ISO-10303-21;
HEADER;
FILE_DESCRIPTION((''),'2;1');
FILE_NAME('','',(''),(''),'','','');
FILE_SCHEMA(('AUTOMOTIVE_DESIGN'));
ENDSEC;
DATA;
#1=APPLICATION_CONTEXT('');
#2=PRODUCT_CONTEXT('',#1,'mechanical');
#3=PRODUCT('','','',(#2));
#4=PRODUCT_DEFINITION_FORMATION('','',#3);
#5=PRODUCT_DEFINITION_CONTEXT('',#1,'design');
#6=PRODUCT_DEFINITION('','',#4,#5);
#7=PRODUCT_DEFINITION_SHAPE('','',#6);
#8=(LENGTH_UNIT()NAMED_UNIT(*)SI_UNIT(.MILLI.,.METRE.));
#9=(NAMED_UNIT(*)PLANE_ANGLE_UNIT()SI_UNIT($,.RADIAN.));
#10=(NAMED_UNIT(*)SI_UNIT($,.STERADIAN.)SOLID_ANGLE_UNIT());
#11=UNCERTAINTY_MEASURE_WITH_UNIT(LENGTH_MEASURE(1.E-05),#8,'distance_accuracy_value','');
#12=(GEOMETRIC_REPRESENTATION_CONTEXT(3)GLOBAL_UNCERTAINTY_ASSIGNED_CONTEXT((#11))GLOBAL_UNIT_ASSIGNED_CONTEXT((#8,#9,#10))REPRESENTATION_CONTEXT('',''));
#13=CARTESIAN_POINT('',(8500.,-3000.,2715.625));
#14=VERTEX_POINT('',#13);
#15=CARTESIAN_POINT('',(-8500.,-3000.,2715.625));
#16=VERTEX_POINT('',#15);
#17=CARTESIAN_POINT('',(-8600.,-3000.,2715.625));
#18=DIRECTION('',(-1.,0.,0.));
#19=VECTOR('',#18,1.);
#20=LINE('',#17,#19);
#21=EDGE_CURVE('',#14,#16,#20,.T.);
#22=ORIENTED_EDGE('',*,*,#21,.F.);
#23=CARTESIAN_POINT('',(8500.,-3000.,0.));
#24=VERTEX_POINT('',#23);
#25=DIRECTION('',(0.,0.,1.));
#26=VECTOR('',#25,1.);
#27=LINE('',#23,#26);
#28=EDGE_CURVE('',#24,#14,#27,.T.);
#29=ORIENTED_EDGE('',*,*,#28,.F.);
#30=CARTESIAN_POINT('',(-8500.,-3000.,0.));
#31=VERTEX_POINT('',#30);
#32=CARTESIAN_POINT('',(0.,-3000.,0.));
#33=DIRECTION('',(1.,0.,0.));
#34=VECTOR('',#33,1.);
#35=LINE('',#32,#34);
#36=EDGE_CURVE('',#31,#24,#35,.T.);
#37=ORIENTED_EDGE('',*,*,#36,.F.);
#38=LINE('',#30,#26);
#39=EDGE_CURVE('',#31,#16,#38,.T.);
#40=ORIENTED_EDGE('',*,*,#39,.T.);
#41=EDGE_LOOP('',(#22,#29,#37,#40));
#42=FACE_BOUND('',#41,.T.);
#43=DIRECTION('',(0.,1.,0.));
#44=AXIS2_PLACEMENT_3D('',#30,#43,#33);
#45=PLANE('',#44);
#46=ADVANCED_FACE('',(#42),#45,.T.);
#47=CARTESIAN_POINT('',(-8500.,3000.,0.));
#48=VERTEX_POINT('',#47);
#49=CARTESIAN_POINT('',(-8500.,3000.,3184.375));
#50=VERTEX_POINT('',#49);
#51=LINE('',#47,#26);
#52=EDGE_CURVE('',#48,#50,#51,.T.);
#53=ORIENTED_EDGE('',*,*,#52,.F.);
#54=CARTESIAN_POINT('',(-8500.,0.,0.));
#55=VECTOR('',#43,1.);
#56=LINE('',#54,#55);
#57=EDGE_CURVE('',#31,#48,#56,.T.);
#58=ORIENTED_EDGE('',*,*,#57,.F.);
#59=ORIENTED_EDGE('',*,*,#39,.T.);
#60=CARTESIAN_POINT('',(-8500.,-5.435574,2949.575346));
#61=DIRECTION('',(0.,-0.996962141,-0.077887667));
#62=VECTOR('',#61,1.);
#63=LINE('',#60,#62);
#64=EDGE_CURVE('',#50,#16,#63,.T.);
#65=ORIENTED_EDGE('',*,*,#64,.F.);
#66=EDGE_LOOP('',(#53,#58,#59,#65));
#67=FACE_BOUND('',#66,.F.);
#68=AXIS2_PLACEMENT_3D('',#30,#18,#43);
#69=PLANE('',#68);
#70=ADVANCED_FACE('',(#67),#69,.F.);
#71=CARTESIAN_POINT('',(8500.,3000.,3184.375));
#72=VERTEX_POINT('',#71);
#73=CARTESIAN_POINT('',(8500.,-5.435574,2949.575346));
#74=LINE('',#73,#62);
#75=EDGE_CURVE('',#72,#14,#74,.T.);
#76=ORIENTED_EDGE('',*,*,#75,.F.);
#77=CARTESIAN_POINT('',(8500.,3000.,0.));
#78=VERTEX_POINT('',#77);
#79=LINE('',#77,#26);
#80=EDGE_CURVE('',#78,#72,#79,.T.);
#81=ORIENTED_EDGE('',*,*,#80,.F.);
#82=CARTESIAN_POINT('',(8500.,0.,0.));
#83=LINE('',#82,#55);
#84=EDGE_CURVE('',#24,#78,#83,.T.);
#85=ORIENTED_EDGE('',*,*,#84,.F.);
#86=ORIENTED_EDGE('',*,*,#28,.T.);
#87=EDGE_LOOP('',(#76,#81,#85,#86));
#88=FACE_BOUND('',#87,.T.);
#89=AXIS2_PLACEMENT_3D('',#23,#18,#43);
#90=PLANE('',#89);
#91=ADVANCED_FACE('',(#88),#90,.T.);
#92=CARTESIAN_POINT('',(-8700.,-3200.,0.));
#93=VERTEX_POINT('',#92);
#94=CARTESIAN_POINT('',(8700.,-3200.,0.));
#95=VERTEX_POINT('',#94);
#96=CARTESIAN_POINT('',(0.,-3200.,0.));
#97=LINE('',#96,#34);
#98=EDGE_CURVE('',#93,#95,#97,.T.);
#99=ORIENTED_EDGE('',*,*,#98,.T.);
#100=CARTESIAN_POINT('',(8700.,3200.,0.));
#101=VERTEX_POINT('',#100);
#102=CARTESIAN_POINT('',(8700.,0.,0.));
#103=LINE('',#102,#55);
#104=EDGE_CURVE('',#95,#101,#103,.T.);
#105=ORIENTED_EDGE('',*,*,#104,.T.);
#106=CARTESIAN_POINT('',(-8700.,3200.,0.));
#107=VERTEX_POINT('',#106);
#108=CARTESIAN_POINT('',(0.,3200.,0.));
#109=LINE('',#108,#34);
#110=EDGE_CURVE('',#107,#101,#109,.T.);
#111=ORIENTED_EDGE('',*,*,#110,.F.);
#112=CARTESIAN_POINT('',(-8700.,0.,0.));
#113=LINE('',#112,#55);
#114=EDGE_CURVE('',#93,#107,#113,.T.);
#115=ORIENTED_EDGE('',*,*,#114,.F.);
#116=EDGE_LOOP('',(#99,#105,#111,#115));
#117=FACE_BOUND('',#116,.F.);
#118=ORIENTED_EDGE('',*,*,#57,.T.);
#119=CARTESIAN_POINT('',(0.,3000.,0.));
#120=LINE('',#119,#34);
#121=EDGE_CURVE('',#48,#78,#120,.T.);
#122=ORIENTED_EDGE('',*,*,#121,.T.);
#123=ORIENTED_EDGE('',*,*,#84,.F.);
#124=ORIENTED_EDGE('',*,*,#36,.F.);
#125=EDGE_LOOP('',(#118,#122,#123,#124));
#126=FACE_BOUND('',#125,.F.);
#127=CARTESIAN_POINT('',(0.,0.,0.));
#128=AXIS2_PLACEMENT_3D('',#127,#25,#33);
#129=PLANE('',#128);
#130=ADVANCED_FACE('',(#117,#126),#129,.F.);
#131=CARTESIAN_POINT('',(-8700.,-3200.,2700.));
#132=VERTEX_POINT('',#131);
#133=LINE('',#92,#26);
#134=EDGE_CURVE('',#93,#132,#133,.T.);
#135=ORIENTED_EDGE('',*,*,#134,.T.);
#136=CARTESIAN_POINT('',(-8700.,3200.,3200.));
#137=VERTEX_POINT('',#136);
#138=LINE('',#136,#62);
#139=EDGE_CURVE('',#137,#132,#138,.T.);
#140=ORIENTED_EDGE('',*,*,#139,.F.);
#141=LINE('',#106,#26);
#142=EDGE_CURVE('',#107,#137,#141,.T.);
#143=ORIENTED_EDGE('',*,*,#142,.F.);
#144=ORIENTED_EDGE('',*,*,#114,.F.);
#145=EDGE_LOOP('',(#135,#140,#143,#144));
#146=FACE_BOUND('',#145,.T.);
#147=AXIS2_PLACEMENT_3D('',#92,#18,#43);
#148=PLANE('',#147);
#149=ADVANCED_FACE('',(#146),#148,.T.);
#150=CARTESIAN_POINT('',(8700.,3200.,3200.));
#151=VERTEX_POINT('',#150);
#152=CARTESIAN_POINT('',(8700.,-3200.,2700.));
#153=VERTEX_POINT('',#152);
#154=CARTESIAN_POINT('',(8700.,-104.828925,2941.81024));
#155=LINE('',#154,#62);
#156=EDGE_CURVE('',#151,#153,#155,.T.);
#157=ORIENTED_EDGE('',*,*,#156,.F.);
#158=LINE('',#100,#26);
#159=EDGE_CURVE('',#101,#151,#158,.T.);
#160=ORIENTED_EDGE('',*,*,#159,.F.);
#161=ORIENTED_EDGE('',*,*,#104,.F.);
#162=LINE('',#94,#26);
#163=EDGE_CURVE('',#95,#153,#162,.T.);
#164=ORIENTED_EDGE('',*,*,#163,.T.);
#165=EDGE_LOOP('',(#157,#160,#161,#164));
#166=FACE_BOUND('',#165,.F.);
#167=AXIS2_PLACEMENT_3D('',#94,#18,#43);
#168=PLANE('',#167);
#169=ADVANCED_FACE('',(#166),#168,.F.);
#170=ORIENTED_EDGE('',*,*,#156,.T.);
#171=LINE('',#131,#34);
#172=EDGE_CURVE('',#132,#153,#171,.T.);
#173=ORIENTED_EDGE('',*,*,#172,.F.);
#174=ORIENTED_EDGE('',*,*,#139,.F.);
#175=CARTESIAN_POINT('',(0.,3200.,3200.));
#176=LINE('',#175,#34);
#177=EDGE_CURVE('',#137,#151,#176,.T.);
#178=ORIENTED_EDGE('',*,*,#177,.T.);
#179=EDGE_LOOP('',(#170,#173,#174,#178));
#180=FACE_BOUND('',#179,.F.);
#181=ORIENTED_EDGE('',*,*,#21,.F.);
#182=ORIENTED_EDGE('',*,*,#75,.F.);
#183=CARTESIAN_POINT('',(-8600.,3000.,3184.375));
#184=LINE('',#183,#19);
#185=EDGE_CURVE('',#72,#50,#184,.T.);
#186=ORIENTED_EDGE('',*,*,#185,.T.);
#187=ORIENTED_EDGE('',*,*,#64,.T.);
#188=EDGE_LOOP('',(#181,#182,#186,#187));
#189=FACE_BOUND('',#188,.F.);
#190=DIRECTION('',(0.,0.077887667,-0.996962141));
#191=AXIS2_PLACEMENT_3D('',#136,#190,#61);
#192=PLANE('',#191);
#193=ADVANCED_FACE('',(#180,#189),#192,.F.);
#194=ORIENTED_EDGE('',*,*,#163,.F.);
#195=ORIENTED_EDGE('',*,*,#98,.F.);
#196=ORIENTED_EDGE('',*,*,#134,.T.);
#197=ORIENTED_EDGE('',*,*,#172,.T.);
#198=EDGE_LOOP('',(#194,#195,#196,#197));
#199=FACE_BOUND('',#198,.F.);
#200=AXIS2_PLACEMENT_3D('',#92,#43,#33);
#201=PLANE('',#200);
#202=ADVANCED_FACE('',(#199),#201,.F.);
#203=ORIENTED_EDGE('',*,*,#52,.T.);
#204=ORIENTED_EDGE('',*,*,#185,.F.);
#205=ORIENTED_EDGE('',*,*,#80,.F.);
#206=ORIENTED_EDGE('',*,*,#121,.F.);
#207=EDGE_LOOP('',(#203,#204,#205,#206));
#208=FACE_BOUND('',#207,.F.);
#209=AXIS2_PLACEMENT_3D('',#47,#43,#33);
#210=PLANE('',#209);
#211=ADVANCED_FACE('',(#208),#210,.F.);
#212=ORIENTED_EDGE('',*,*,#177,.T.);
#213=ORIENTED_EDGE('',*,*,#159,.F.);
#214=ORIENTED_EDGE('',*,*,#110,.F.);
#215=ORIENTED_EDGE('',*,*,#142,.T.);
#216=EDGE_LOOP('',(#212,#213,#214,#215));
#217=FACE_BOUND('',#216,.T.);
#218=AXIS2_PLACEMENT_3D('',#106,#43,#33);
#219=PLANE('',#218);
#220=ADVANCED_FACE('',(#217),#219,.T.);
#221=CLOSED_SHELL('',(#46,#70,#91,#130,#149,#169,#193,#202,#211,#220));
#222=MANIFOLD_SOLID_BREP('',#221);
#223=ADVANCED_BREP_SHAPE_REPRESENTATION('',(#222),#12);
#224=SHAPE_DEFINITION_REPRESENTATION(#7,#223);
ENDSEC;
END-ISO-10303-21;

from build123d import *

# Parameters (mm, degrees)
F0_W     = 17400
F0_H     = 6400
F0_W_2   = 17000
F0_H_2   = 6000
F1_DEPTH = 3200
F3_DEPTH = 17400.001


with BuildPart() as f1:
    # F0 (on Top) → F1 (new body)
    with BuildSketch(Plane.XY):
        Rectangle(F0_W, F0_H)
        Rectangle(F0_W_2, F0_H_2, mode=Mode.SUBTRACT)
    extrude(amount=F1_DEPTH)

    # F2 (on face) → F3 (cut, through all)
    with BuildSketch(Plane(origin=(-8700, 0, 0), x_dir=(0, -1, 0), z_dir=(-1, 0, 0))):
        Polygon((-3200, 3200), (3200, 2700), (3200, 3200), align=None)
    extrude(amount=-F3_DEPTH, mode=Mode.SUBTRACT)


solid = f1.part
